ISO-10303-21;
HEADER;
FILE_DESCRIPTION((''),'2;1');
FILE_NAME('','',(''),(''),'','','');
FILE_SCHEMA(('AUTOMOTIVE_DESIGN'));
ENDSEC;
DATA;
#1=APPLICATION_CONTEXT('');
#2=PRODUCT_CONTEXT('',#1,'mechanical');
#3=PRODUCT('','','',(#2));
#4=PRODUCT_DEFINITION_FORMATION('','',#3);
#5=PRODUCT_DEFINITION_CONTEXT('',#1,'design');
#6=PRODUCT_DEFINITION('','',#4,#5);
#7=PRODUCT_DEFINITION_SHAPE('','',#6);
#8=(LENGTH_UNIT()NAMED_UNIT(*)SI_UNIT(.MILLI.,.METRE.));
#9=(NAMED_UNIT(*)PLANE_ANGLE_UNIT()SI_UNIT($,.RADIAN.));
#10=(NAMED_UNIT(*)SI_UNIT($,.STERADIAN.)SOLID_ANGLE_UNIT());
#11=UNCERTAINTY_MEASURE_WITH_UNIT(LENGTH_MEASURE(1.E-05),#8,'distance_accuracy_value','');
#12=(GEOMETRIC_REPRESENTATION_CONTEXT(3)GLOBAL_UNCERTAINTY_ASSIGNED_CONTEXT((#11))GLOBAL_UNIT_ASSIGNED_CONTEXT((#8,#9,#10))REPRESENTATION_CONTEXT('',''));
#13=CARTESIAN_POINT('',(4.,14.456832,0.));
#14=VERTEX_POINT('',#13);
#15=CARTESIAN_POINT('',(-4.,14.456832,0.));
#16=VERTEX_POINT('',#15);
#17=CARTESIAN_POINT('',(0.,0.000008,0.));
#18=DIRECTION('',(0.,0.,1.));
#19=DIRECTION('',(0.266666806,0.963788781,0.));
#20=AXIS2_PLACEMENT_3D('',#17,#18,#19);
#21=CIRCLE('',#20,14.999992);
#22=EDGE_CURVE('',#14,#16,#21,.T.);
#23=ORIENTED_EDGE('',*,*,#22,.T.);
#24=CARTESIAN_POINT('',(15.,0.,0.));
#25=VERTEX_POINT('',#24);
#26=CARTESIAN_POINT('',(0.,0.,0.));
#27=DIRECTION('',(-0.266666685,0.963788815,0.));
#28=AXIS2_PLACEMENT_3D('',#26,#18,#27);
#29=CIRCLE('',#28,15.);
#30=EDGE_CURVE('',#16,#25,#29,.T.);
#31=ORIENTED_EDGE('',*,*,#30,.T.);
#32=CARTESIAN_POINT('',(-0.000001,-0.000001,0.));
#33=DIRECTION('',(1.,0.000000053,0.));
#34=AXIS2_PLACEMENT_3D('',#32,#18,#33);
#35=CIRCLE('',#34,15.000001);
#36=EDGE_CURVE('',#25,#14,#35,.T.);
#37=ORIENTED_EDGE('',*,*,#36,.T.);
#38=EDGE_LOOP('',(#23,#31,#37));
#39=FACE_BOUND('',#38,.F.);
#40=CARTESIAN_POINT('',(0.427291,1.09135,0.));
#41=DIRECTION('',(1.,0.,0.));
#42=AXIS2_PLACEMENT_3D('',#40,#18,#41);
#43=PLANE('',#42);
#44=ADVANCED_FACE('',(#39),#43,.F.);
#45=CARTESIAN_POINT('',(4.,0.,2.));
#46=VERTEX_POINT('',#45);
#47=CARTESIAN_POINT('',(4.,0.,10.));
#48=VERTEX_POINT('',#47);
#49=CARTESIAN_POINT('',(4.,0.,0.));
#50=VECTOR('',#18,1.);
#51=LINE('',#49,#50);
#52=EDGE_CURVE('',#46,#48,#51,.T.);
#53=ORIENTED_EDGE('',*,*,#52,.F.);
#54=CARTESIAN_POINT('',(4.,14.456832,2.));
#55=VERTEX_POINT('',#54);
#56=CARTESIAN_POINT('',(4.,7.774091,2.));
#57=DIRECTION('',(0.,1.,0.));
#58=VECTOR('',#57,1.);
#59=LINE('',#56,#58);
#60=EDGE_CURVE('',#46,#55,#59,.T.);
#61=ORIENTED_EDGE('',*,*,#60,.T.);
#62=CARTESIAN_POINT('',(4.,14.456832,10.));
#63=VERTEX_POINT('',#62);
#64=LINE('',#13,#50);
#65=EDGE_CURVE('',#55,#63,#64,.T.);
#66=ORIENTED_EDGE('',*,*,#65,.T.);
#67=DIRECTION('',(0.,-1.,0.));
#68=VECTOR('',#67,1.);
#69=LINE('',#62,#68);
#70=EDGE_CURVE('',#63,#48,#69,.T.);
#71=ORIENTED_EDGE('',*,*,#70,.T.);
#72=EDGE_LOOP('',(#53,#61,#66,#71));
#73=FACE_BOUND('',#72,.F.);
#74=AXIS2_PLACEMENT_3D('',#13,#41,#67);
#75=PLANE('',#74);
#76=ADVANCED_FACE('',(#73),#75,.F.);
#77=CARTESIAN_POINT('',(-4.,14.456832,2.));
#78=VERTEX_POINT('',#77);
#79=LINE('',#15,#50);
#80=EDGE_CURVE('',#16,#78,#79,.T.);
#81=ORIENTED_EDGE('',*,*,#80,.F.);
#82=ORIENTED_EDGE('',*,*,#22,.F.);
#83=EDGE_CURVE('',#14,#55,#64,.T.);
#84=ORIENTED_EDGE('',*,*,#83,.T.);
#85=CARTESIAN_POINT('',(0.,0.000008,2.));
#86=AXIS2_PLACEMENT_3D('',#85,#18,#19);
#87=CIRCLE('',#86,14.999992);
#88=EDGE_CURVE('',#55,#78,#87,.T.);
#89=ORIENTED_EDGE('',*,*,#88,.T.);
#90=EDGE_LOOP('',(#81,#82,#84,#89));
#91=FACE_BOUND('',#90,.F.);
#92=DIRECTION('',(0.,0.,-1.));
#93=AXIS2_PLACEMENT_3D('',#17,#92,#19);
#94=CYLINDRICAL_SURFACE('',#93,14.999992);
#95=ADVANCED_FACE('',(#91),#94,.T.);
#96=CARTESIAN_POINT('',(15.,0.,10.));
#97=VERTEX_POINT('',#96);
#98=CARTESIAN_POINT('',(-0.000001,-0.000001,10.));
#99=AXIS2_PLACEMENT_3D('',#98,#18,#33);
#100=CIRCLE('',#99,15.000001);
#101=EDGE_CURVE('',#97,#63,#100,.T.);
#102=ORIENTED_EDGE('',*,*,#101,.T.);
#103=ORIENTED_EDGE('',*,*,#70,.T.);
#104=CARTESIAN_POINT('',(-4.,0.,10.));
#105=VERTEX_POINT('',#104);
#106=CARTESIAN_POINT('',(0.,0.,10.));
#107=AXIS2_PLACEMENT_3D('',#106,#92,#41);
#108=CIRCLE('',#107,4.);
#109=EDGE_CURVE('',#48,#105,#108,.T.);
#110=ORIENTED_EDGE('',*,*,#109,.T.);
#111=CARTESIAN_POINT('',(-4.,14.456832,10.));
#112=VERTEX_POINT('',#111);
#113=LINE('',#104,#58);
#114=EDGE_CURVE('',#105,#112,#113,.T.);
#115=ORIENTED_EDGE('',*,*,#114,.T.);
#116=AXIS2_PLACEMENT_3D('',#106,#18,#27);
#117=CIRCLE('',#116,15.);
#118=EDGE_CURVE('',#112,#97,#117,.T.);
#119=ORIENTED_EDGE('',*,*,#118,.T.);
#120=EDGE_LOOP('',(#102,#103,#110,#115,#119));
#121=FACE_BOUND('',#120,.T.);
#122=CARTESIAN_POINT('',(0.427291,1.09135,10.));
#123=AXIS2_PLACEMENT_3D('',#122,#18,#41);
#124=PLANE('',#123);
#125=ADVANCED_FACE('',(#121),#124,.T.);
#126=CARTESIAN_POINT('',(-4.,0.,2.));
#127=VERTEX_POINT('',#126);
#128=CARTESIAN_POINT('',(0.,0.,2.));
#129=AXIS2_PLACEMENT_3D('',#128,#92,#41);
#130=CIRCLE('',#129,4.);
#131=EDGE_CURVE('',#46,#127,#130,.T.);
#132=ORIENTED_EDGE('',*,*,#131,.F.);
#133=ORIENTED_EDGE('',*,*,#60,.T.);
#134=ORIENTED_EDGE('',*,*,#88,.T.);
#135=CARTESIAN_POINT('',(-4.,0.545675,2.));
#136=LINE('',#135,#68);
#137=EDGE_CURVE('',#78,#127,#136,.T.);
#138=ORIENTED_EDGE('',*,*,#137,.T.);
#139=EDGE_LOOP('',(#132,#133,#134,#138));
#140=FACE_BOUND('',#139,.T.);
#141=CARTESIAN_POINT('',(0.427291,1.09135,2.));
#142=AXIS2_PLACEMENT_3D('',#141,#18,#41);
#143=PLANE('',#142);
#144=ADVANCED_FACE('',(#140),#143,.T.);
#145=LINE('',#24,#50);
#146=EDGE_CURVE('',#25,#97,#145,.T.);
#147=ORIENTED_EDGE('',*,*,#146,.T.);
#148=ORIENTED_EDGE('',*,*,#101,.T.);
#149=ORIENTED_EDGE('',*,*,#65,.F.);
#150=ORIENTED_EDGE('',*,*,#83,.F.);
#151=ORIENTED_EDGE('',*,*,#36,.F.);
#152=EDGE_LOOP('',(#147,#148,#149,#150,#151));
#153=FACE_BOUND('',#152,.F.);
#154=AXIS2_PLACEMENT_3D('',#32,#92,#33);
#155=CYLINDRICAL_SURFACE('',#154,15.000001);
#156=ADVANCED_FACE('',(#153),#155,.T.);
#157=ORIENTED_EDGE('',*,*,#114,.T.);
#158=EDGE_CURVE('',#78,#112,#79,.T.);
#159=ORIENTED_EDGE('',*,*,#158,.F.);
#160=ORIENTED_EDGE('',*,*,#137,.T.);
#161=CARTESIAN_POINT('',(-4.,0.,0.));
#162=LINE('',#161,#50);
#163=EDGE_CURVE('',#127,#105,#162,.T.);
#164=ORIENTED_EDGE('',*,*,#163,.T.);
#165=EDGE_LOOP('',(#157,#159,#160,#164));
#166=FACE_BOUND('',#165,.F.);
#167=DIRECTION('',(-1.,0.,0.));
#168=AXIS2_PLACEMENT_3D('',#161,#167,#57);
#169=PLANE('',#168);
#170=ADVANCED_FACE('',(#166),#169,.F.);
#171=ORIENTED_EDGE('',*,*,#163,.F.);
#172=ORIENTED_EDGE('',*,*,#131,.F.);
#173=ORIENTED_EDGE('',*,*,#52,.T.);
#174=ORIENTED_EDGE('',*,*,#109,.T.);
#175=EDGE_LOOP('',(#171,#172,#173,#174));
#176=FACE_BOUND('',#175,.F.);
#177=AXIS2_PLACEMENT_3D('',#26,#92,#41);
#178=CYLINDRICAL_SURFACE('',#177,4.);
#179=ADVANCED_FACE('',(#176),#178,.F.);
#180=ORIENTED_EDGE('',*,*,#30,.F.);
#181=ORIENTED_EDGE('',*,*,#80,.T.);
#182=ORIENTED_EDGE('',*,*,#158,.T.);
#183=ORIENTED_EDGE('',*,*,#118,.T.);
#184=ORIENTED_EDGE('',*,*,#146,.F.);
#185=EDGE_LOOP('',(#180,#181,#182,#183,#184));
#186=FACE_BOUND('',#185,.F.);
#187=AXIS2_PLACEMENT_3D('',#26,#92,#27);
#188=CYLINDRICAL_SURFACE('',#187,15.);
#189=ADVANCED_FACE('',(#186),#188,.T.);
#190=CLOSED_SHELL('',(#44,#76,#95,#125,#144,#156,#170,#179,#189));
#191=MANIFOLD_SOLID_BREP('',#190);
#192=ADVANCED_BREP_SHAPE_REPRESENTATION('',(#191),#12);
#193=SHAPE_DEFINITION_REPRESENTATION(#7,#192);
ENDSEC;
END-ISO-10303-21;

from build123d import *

# Parameters (mm, degrees)
F1_DEPTH = 2
F2_DEPTH = 10


with BuildPart() as f1:
    # F0 (on Top) → F1 (new body)
    with BuildSketch(Plane.XY):
        with BuildLine():
            Line((4, 14.456832), (4, 0))
            ThreePointArc((4, 0), (0, -4), (-4, 0))
            Line((-4, 0), (-4, 14.456832))
            ThreePointArc((-4, 14.456832), (-9.082951, -11.937336), (15, 0))
            ThreePointArc((15, 0), (11.937336, 9.082951), (4, 14.456832))
        make_face()
        with BuildLine():
            ThreePointArc((-4, 0), (0, 4), (4, 0))
            Line((4, 0), (4, 14.456832))
            ThreePointArc((4, 14.456832), (0, 15), (-4, 14.456832))
            Line((-4, 14.456832), (-4, 0))
        make_face()
        with BuildLine():
            ThreePointArc((-4, 0), (0, -4), (4, 0))
            ThreePointArc((4, 0), (0, 4), (-4, 0))
        make_face()
    extrude(amount=F1_DEPTH)

    # F0 (on Top) → F2 (join)
    with BuildSketch(Plane.XY):
        with BuildLine():
            Line((4, 14.456832), (4, 0))
            ThreePointArc((4, 0), (0, -4), (-4, 0))
            Line((-4, 0), (-4, 14.456832))
            ThreePointArc((-4, 14.456832), (-9.082951, -11.937336), (15, 0))
            ThreePointArc((15, 0), (11.937336, 9.082951), (4, 14.456832))
        make_face()
    extrude(amount=F2_DEPTH)


solid = f1.part
